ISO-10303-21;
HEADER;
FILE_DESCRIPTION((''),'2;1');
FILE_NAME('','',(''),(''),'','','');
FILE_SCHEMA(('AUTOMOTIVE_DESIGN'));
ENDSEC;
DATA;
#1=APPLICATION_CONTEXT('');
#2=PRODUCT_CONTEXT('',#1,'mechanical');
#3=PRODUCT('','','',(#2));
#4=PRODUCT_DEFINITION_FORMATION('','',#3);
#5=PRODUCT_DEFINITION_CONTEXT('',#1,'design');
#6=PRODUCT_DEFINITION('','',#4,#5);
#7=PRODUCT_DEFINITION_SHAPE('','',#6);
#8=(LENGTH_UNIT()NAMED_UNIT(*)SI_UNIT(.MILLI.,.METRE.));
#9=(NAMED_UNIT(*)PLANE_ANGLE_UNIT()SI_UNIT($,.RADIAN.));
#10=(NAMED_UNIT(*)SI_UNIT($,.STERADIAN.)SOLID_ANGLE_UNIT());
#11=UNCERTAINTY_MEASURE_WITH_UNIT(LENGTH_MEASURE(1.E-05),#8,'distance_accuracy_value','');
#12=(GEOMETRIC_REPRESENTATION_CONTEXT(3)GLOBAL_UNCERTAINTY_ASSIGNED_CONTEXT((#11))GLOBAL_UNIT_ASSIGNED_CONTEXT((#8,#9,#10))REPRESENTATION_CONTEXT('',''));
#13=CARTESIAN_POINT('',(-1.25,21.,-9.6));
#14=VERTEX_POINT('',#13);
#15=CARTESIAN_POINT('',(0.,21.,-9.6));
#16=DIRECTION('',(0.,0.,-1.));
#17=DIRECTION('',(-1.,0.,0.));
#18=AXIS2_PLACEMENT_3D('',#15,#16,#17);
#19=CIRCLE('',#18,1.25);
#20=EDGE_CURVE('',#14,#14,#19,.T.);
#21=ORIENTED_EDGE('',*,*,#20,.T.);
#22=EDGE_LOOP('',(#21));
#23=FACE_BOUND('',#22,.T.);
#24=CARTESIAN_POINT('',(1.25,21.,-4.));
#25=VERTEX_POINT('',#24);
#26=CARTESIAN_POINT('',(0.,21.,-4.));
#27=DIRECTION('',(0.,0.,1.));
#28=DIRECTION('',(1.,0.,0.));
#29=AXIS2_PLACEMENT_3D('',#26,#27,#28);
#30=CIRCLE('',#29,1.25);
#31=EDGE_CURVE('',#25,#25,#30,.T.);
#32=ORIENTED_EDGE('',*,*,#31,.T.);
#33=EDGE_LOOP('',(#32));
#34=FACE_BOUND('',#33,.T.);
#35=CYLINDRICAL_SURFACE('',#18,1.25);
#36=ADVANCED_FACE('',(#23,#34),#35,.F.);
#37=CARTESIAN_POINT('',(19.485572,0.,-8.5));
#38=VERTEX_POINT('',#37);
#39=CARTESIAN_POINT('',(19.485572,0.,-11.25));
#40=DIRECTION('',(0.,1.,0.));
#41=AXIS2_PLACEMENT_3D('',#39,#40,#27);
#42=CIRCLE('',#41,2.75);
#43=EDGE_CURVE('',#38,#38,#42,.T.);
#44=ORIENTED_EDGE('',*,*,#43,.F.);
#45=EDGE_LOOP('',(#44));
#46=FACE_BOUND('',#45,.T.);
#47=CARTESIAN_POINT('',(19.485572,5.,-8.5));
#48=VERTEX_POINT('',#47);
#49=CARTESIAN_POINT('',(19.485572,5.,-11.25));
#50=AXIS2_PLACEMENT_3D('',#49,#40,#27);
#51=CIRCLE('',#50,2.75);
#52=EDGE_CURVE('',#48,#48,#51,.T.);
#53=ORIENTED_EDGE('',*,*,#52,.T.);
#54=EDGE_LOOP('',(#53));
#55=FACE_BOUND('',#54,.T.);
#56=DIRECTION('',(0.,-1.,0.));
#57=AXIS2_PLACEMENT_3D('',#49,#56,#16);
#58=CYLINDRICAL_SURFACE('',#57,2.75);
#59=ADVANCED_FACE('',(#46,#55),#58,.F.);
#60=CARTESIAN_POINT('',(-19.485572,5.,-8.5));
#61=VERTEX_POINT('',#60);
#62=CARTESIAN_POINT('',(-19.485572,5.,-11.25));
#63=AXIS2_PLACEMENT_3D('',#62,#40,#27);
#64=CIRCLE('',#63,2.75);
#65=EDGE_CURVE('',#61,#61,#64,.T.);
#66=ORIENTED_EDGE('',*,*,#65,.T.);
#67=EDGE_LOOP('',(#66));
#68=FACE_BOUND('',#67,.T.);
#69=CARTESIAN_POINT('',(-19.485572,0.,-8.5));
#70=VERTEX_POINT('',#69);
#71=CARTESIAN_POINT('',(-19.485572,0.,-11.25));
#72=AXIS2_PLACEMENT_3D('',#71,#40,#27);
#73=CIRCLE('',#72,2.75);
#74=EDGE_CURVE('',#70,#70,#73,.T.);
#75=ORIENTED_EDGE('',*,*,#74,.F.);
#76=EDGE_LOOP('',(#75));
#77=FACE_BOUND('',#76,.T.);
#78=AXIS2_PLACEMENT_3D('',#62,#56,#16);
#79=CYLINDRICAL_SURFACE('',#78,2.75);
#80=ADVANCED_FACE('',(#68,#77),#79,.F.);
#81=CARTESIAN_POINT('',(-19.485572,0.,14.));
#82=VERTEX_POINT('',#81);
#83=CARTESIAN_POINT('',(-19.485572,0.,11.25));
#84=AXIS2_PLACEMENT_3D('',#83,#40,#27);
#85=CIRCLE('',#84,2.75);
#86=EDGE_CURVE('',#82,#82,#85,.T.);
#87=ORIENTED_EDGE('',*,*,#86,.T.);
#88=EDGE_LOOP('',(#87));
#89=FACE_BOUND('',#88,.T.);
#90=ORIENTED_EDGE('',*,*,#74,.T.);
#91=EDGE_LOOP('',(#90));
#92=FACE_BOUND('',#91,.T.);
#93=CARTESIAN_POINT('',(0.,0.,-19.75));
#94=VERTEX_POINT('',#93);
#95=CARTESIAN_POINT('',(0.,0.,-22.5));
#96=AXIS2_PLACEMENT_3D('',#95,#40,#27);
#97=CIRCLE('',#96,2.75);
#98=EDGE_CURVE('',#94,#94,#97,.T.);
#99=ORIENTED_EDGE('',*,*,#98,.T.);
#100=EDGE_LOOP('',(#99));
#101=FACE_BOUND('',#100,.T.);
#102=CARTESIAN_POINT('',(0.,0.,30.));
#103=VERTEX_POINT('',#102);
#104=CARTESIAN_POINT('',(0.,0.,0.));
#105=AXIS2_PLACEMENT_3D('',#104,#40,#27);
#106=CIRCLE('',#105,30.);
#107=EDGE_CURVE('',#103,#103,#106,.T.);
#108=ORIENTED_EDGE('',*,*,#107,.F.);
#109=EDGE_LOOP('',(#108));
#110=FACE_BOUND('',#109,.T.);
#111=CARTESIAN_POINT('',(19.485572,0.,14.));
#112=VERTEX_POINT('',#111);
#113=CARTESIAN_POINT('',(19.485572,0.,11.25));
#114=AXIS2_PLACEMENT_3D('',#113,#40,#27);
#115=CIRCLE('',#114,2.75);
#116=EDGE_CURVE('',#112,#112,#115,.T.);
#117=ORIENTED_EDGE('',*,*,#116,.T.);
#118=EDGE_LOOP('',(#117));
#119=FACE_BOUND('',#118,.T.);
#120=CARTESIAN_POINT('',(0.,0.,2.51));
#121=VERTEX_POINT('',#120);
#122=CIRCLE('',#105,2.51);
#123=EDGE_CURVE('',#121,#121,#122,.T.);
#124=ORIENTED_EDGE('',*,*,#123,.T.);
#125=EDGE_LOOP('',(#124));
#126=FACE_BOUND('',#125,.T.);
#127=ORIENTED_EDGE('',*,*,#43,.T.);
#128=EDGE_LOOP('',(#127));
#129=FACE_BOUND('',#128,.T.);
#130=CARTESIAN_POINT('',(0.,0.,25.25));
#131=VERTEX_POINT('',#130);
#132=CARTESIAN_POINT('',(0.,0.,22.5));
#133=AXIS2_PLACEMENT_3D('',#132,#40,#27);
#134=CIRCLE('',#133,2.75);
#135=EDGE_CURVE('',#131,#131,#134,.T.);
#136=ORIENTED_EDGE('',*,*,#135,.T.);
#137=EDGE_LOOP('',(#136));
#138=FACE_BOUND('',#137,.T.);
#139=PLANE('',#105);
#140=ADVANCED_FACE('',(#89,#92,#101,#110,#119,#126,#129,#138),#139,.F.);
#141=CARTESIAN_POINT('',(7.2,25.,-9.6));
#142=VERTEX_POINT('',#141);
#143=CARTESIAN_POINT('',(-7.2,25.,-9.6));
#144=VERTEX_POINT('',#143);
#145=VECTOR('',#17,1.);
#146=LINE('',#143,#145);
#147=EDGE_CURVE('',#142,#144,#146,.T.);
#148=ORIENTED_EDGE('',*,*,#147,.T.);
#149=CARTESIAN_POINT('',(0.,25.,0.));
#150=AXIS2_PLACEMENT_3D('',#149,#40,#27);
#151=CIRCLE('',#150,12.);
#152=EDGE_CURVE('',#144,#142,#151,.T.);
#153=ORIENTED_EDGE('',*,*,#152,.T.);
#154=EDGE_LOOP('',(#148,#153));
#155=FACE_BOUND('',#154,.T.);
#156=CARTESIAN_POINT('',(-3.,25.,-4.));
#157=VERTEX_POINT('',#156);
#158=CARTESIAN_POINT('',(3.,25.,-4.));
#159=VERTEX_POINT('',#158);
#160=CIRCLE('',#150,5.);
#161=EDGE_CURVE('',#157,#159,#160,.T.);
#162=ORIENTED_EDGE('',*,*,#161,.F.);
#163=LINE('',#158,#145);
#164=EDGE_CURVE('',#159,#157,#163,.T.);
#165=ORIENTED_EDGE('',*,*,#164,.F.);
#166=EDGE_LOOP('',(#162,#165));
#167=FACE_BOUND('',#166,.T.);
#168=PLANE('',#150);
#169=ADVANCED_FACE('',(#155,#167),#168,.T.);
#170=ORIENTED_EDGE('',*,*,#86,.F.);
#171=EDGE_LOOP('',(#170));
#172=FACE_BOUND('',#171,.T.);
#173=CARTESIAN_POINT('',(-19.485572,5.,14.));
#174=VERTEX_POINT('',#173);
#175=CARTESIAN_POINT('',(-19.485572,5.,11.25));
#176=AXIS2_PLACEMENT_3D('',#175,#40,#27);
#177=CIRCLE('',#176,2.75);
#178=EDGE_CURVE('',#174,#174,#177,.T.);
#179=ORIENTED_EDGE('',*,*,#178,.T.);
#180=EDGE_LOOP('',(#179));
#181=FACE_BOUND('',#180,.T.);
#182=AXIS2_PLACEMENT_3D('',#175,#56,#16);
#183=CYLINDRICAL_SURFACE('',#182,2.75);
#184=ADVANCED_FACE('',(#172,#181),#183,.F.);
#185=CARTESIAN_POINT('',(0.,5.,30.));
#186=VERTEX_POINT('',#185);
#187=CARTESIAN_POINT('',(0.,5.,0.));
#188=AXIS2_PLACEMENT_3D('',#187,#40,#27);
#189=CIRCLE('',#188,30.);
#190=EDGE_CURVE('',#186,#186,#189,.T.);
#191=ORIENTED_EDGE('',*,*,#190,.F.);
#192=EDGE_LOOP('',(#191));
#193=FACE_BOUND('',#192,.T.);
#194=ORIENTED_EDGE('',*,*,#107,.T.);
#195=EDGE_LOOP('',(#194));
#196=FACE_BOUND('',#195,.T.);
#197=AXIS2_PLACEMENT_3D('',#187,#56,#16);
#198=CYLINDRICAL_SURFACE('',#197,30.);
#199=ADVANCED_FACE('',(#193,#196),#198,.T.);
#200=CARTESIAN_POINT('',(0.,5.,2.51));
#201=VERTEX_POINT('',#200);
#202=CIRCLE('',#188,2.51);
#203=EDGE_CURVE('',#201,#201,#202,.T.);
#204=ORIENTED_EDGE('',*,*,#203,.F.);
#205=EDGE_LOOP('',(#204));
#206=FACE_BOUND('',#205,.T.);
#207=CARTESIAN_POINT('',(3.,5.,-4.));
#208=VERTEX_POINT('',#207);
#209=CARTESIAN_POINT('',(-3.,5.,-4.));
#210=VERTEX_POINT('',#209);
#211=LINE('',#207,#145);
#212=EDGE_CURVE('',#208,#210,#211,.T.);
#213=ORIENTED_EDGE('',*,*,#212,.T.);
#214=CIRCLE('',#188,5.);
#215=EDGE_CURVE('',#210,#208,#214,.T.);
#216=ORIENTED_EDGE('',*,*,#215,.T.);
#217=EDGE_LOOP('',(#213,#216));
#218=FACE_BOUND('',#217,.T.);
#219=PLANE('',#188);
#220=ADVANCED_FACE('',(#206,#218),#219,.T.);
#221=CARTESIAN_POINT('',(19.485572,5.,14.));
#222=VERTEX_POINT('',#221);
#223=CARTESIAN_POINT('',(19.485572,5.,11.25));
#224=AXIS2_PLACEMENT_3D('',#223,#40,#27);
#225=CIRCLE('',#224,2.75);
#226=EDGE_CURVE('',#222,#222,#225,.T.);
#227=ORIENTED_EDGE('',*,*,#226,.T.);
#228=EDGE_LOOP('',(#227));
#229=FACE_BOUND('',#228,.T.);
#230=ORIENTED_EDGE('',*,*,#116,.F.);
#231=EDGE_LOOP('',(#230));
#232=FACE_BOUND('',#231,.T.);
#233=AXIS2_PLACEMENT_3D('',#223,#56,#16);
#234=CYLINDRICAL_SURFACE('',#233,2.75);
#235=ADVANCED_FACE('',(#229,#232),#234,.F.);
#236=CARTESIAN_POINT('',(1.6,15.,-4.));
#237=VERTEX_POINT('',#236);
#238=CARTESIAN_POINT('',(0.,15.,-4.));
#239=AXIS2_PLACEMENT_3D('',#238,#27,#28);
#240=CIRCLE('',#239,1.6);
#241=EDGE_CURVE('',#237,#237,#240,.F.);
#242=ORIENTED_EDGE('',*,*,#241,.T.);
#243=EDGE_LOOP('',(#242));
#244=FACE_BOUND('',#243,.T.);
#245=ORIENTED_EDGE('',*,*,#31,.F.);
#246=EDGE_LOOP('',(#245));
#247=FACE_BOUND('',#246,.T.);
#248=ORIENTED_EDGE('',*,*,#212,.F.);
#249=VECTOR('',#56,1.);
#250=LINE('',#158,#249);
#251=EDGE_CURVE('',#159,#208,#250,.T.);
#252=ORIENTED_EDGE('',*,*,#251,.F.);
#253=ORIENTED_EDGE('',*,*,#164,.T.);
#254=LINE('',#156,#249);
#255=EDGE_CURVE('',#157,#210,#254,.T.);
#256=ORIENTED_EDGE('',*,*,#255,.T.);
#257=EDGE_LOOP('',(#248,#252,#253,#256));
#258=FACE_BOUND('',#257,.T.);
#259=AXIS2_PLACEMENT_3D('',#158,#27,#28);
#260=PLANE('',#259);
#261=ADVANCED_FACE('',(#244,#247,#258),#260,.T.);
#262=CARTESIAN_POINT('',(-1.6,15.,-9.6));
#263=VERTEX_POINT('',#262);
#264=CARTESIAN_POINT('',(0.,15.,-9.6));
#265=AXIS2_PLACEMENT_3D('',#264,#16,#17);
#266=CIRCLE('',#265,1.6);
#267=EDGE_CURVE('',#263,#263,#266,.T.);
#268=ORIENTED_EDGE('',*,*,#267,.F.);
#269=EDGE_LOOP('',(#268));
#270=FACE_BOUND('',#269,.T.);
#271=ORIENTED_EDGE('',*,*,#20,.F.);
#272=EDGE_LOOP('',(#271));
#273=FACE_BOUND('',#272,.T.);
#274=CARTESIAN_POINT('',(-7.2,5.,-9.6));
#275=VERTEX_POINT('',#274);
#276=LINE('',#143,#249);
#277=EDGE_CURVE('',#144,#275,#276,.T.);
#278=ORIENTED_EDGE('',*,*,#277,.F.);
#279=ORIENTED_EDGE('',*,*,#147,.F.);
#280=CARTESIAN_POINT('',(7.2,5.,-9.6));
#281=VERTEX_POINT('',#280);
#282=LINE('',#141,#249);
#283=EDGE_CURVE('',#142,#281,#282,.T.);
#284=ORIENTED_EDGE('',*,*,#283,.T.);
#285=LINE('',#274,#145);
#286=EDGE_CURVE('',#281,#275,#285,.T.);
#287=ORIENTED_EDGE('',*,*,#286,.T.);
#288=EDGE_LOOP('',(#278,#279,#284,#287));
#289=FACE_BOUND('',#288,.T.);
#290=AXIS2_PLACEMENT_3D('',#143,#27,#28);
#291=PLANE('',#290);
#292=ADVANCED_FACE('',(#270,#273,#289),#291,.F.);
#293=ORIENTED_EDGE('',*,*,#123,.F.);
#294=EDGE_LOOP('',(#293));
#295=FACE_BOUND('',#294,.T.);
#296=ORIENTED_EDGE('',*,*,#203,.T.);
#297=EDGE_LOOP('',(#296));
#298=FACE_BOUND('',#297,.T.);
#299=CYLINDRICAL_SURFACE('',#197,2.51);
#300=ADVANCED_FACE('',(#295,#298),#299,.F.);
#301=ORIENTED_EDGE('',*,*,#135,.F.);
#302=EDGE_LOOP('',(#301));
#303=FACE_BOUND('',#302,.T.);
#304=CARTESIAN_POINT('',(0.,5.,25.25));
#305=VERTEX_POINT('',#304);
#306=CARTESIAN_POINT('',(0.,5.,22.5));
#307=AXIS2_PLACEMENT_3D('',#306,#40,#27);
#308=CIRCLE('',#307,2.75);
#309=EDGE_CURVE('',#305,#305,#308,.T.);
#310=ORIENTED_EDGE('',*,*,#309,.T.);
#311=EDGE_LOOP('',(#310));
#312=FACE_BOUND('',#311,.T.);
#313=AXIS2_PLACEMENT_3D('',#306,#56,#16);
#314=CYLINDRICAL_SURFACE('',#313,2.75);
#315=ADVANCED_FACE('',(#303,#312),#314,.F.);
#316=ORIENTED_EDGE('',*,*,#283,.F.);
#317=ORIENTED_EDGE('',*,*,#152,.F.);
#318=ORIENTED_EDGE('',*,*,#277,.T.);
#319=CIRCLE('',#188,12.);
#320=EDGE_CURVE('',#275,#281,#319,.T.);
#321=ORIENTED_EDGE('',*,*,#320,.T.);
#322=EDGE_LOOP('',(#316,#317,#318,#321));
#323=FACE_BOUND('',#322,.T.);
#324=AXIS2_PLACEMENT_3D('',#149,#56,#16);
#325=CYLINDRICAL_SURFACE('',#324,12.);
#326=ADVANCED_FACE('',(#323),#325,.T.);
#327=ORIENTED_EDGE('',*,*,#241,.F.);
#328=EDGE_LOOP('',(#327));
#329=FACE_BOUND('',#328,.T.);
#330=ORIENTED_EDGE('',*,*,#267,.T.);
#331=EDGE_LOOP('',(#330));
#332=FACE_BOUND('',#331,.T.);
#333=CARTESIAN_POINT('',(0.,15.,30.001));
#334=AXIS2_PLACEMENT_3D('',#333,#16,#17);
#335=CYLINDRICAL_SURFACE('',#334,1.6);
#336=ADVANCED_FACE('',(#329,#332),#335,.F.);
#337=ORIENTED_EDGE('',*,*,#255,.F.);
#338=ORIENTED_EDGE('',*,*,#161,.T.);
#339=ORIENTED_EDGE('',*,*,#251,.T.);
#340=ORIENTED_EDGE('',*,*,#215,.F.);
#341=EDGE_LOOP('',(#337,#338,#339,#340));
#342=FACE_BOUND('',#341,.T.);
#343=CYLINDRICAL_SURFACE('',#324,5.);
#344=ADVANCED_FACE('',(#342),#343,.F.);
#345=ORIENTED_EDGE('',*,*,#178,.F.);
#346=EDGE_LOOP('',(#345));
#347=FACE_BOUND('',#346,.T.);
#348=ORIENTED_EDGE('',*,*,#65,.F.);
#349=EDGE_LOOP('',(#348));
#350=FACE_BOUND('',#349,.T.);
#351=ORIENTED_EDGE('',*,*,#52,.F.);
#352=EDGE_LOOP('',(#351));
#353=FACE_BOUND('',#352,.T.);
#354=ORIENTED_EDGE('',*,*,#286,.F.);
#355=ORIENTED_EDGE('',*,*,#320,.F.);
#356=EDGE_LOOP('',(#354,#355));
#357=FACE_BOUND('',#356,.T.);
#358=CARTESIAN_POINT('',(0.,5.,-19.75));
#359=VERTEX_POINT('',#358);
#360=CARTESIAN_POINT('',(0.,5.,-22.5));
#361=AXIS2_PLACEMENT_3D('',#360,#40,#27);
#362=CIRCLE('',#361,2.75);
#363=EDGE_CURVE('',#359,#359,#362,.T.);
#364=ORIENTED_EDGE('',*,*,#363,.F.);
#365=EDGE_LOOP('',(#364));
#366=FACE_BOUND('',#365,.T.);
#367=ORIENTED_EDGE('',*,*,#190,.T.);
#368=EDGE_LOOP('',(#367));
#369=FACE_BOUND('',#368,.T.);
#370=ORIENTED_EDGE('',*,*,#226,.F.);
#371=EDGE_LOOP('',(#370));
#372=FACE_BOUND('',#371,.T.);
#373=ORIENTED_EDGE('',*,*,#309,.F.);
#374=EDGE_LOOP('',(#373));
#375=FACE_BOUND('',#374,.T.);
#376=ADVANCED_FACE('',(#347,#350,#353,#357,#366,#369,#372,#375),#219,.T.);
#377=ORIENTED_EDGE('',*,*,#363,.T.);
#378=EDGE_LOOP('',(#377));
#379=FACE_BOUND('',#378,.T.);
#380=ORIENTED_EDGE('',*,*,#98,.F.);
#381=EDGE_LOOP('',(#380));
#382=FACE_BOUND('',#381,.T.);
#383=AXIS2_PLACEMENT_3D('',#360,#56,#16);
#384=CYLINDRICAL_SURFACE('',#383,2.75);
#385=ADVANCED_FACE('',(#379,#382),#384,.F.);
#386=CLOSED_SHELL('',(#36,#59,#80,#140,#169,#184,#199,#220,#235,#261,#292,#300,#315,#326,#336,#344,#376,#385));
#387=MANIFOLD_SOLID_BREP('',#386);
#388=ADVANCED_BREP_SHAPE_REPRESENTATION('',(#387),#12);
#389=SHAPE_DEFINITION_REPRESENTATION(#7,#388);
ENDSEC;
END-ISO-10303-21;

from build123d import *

# Parameters (mm, degrees)
SKETCH_1_R             = 30
SKETCH_1_R_2           = 2.75
SKETCH_1_R_3           = 2.51
EXTRUDE_1_DEPTH        = 5
EXTRUDE_2_DEPTH        = 20
HOLE_WIZARD_M3_1_D     = 2.5
HOLE_WIZARD_M3_1_DEPTH = 5.6
CUT_EXTRUDE_1_REACH    = 57.616
SKETCH_5_R             = 1.6


with BuildPart() as part:
    # 草图1 → 凸台-拉伸1 (new body)
    with BuildSketch(Plane(origin=(0, 0, 0), x_dir=(1, 0, 0), z_dir=(0, 1, 0))):
        with Locations(Location((0, 0, 0), (0, 0, 270))):
            Circle(SKETCH_1_R)
        with Locations(Location((0, 22.5, 0), (0, 0, 270))):
            Circle(SKETCH_1_R_2, mode=Mode.SUBTRACT)
        with Locations(Location((19.485571585, 11.25, 0), (0, 0, 270))):
            Circle(SKETCH_1_R_2, mode=Mode.SUBTRACT)
        with Locations(Location((19.485571585, -11.25, 0), (0, 0, 270))):
            Circle(SKETCH_1_R_2, mode=Mode.SUBTRACT)
        with Locations(Location((0, -22.5, 0), (0, 0, 270))):
            Circle(SKETCH_1_R_2, mode=Mode.SUBTRACT)
        with Locations(Location((-19.485571585, -11.25, 0), (0, 0, 270))):
            Circle(SKETCH_1_R_2, mode=Mode.SUBTRACT)
        with Locations(Location((-19.485571585, 11.25, 0), (0, 0, 270))):
            Circle(SKETCH_1_R_2, mode=Mode.SUBTRACT)
        with Locations(Location((0, 0, 0), (0, 0, 270))):
            Circle(SKETCH_1_R_3, mode=Mode.SUBTRACT)
    extrude(amount=EXTRUDE_1_DEPTH)

    # 草图2 → 凸台-拉伸2 (add)
    with BuildSketch(Plane(origin=(0, 5, 0), x_dir=(1, 0, 0), z_dir=(0, 1, 0))):
        with BuildLine():
            Line((-7.2, 9.6), (7.2, 9.6))
            ThreePointArc((7.2, 9.6), (0, -12), (-7.2, 9.6))
        make_face()
        with BuildLine():
            Line((3, 4), (-3, 4))
            ThreePointArc((-3, 4), (0, -5), (3, 4))
        make_face(mode=Mode.SUBTRACT)
    extrude(amount=EXTRUDE_2_DEPTH)

    # M3 螺纹孔1
    with Locations(Plane(origin=(0, 0, -9.6), x_dir=(-1, 0, 0), z_dir=(0, 0, -1))):
        with Locations((0, 21)):
            Hole(HOLE_WIZARD_M3_1_D / 2, depth=HOLE_WIZARD_M3_1_DEPTH)

    # 草图5 → 切除-拉伸1 (cut, up to next)
    with BuildSketch(Plane(origin=(0, 0, -9.6), x_dir=(-1, 0, 0), z_dir=(0, 0, -1)), mode=Mode.PRIVATE) as cut_extrude_1_sk1:
        with Locations((0, 15)):
            Circle(SKETCH_5_R)
    cut_extrude_1_tool1 = extrude(cut_extrude_1_sk1.sketch, amount=-CUT_EXTRUDE_1_REACH, mode=Mode.PRIVATE) & part.part
    add(cut_extrude_1_tool1.solids().sort_by_distance((0, 15, -9.6))[0], mode=Mode.SUBTRACT)


solid = part.part
